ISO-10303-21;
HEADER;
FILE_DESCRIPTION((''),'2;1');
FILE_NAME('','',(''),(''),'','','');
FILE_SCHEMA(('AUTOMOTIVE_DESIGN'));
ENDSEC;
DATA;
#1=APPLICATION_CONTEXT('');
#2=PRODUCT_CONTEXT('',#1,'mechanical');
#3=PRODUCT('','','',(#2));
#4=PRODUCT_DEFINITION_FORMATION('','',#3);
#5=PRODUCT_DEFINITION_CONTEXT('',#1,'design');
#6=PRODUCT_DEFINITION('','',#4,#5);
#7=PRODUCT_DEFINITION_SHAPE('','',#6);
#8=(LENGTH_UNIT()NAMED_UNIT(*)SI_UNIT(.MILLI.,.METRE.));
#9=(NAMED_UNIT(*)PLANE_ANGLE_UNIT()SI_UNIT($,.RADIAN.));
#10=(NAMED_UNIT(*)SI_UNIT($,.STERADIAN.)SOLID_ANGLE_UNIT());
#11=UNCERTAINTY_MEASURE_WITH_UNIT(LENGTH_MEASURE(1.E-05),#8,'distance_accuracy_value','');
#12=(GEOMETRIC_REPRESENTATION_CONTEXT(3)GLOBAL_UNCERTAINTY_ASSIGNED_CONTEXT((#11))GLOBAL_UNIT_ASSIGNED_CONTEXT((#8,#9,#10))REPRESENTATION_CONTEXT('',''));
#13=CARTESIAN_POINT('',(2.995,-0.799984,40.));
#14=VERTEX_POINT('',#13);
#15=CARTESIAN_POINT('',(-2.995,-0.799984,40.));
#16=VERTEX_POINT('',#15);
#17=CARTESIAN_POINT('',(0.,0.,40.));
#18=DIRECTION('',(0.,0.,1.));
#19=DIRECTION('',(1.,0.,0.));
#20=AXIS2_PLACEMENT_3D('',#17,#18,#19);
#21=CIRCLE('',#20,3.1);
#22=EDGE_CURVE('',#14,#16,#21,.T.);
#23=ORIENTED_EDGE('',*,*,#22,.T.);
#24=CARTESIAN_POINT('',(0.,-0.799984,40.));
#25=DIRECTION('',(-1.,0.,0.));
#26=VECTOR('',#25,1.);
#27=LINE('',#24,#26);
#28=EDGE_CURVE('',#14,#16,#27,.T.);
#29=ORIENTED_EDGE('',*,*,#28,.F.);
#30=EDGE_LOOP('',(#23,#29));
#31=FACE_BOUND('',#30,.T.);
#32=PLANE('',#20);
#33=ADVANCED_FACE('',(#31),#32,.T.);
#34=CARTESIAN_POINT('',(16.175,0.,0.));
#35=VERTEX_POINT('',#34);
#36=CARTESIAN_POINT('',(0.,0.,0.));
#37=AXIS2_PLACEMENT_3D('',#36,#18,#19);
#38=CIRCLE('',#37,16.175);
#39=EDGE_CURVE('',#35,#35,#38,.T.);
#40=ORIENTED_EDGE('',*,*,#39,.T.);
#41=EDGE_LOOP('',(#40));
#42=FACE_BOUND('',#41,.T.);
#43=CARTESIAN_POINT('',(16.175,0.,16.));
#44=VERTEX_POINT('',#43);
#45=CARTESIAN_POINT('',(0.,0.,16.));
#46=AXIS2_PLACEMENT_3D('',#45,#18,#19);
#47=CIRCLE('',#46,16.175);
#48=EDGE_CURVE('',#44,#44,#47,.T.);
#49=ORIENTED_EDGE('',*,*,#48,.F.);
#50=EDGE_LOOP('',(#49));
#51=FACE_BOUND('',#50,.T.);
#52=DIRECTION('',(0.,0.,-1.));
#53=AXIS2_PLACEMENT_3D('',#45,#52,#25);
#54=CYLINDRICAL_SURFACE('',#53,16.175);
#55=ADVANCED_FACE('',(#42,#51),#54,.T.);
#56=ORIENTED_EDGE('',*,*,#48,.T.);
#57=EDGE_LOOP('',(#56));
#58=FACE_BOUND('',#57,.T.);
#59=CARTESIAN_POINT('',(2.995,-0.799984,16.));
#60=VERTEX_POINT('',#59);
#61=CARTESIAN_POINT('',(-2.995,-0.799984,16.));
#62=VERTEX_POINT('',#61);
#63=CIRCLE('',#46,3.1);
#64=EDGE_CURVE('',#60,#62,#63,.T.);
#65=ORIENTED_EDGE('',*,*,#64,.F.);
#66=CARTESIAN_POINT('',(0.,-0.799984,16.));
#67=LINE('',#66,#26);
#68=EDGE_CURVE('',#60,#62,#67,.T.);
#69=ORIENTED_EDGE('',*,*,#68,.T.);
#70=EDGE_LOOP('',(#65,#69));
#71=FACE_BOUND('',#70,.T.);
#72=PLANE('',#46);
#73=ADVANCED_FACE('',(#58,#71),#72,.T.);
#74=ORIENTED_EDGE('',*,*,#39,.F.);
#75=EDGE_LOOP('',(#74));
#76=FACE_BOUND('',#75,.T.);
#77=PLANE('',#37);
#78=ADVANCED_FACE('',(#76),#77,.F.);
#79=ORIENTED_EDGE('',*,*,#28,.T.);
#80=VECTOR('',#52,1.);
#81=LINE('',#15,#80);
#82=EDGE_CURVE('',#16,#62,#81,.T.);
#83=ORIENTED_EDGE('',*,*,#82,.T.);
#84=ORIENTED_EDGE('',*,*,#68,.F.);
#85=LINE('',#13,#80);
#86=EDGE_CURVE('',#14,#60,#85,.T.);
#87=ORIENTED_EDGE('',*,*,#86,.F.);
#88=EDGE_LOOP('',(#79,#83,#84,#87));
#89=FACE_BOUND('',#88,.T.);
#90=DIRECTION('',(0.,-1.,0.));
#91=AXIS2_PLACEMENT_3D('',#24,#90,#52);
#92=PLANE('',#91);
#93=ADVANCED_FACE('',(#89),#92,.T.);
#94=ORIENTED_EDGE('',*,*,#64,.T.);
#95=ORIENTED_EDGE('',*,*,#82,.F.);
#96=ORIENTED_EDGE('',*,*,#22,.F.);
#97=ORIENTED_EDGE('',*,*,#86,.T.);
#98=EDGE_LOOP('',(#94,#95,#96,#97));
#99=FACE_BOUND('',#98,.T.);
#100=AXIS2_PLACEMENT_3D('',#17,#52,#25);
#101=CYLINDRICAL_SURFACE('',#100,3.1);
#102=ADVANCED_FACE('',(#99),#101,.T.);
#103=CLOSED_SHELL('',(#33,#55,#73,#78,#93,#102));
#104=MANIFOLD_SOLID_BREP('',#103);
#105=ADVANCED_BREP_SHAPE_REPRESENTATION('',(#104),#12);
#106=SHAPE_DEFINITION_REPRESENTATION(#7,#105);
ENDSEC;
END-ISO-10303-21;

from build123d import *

# Parameters (mm, degrees)
SKETCH1_R           = 16.175
BOSS_EXTRUDE1_DEPTH = 16
BOSS_EXTRUDE2_START = 16
BOSS_EXTRUDE2_DEPTH = 24


with BuildPart() as part:
    # Sketch1 → Boss-Extrude1 (new body)
    with BuildSketch(Plane.XY):
        Circle(SKETCH1_R)
        with BuildLine():
            Line((-2.995, -0.799984375), (2.995, -0.799984375))
            ThreePointArc((2.995, -0.799984375), (0, 3.1), (-2.995, -0.799984375))
        make_face(mode=Mode.SUBTRACT)
        with BuildLine():
            ThreePointArc((-2.995, -0.799984375), (0, 3.1), (2.995, -0.799984375))
            Line((2.995, -0.799984375), (-2.995, -0.799984375))
        make_face()
    extrude(amount=BOSS_EXTRUDE1_DEPTH)

    # Sketch1<3> → Boss-Extrude2 (add)
    with BuildSketch(Plane.XY.offset(BOSS_EXTRUDE2_START)):
        with BuildLine():
            ThreePointArc((-2.995, -0.799984375), (0, 3.1), (2.995, -0.799984375))
            Line((2.995, -0.799984375), (-2.995, -0.799984375))
        make_face()
    extrude(amount=BOSS_EXTRUDE2_DEPTH)


solid = part.part
